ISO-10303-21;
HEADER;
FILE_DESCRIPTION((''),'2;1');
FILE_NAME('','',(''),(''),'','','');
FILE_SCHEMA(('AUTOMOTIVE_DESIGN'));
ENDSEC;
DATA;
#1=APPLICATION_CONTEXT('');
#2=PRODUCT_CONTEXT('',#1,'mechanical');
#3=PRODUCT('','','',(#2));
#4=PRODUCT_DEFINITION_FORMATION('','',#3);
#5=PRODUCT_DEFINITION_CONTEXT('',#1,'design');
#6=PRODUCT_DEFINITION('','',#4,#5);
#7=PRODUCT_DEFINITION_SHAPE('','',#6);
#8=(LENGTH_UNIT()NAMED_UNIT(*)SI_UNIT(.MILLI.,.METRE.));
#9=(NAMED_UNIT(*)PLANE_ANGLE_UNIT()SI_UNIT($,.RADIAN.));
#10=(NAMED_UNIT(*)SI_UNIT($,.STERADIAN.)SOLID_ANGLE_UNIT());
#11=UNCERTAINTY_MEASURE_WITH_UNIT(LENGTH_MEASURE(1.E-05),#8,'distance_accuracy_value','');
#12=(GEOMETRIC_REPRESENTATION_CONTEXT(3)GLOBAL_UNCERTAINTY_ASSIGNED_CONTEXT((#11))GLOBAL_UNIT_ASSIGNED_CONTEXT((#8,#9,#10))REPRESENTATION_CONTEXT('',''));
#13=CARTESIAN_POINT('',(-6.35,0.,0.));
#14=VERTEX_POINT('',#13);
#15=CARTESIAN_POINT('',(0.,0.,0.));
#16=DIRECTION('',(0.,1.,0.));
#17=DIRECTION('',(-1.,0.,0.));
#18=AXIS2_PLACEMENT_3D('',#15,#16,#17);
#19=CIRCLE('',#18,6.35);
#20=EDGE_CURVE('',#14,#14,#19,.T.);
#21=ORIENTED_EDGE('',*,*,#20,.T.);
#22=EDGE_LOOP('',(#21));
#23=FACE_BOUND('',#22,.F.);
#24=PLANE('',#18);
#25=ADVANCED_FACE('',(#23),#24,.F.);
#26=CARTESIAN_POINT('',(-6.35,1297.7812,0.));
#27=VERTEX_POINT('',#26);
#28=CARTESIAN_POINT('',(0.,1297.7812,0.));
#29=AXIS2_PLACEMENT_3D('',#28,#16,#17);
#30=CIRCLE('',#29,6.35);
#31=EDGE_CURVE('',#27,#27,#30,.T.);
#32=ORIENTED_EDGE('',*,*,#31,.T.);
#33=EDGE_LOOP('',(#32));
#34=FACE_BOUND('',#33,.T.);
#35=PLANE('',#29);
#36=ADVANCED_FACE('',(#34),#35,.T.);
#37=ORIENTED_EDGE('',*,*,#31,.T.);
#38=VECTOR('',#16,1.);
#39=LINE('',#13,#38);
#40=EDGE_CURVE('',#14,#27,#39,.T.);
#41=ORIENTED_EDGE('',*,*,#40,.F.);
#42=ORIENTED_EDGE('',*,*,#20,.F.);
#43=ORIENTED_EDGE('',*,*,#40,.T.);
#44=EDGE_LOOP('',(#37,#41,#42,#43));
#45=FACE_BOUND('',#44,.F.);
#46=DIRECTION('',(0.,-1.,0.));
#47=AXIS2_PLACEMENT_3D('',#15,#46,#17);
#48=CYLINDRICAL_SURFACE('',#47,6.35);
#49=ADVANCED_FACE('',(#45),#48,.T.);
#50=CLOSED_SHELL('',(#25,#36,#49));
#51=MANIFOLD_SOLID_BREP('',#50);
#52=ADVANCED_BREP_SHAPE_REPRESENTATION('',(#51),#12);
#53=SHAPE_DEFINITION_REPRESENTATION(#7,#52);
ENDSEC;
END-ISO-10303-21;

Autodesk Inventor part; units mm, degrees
ref_plane "YZ Plane" through (0, 0, 0) normal (1, 0, 0) x (0, 1, 0)
ref_plane "XZ Plane" through (0, 0, 0) normal (0, 1, 0) x (-1, 0, 0)
ref_plane "XY Plane" through (0, 0, 0) normal (0, 0, 1) x (1, 0, 0)
sketch "Sketch1" plane through (0, 0, 0) normal (0, 1, 0) x (-1, 0, 0)
  circle A0 centre (0, 0) radius 6.35
  dimension "d0" = 12.7
extrude "Extrusion1" add sketch "Sketch1" along normal blind 1297.7812
properties part number "Rebar_With_Length_Of_38_Inches" material "Steel"
